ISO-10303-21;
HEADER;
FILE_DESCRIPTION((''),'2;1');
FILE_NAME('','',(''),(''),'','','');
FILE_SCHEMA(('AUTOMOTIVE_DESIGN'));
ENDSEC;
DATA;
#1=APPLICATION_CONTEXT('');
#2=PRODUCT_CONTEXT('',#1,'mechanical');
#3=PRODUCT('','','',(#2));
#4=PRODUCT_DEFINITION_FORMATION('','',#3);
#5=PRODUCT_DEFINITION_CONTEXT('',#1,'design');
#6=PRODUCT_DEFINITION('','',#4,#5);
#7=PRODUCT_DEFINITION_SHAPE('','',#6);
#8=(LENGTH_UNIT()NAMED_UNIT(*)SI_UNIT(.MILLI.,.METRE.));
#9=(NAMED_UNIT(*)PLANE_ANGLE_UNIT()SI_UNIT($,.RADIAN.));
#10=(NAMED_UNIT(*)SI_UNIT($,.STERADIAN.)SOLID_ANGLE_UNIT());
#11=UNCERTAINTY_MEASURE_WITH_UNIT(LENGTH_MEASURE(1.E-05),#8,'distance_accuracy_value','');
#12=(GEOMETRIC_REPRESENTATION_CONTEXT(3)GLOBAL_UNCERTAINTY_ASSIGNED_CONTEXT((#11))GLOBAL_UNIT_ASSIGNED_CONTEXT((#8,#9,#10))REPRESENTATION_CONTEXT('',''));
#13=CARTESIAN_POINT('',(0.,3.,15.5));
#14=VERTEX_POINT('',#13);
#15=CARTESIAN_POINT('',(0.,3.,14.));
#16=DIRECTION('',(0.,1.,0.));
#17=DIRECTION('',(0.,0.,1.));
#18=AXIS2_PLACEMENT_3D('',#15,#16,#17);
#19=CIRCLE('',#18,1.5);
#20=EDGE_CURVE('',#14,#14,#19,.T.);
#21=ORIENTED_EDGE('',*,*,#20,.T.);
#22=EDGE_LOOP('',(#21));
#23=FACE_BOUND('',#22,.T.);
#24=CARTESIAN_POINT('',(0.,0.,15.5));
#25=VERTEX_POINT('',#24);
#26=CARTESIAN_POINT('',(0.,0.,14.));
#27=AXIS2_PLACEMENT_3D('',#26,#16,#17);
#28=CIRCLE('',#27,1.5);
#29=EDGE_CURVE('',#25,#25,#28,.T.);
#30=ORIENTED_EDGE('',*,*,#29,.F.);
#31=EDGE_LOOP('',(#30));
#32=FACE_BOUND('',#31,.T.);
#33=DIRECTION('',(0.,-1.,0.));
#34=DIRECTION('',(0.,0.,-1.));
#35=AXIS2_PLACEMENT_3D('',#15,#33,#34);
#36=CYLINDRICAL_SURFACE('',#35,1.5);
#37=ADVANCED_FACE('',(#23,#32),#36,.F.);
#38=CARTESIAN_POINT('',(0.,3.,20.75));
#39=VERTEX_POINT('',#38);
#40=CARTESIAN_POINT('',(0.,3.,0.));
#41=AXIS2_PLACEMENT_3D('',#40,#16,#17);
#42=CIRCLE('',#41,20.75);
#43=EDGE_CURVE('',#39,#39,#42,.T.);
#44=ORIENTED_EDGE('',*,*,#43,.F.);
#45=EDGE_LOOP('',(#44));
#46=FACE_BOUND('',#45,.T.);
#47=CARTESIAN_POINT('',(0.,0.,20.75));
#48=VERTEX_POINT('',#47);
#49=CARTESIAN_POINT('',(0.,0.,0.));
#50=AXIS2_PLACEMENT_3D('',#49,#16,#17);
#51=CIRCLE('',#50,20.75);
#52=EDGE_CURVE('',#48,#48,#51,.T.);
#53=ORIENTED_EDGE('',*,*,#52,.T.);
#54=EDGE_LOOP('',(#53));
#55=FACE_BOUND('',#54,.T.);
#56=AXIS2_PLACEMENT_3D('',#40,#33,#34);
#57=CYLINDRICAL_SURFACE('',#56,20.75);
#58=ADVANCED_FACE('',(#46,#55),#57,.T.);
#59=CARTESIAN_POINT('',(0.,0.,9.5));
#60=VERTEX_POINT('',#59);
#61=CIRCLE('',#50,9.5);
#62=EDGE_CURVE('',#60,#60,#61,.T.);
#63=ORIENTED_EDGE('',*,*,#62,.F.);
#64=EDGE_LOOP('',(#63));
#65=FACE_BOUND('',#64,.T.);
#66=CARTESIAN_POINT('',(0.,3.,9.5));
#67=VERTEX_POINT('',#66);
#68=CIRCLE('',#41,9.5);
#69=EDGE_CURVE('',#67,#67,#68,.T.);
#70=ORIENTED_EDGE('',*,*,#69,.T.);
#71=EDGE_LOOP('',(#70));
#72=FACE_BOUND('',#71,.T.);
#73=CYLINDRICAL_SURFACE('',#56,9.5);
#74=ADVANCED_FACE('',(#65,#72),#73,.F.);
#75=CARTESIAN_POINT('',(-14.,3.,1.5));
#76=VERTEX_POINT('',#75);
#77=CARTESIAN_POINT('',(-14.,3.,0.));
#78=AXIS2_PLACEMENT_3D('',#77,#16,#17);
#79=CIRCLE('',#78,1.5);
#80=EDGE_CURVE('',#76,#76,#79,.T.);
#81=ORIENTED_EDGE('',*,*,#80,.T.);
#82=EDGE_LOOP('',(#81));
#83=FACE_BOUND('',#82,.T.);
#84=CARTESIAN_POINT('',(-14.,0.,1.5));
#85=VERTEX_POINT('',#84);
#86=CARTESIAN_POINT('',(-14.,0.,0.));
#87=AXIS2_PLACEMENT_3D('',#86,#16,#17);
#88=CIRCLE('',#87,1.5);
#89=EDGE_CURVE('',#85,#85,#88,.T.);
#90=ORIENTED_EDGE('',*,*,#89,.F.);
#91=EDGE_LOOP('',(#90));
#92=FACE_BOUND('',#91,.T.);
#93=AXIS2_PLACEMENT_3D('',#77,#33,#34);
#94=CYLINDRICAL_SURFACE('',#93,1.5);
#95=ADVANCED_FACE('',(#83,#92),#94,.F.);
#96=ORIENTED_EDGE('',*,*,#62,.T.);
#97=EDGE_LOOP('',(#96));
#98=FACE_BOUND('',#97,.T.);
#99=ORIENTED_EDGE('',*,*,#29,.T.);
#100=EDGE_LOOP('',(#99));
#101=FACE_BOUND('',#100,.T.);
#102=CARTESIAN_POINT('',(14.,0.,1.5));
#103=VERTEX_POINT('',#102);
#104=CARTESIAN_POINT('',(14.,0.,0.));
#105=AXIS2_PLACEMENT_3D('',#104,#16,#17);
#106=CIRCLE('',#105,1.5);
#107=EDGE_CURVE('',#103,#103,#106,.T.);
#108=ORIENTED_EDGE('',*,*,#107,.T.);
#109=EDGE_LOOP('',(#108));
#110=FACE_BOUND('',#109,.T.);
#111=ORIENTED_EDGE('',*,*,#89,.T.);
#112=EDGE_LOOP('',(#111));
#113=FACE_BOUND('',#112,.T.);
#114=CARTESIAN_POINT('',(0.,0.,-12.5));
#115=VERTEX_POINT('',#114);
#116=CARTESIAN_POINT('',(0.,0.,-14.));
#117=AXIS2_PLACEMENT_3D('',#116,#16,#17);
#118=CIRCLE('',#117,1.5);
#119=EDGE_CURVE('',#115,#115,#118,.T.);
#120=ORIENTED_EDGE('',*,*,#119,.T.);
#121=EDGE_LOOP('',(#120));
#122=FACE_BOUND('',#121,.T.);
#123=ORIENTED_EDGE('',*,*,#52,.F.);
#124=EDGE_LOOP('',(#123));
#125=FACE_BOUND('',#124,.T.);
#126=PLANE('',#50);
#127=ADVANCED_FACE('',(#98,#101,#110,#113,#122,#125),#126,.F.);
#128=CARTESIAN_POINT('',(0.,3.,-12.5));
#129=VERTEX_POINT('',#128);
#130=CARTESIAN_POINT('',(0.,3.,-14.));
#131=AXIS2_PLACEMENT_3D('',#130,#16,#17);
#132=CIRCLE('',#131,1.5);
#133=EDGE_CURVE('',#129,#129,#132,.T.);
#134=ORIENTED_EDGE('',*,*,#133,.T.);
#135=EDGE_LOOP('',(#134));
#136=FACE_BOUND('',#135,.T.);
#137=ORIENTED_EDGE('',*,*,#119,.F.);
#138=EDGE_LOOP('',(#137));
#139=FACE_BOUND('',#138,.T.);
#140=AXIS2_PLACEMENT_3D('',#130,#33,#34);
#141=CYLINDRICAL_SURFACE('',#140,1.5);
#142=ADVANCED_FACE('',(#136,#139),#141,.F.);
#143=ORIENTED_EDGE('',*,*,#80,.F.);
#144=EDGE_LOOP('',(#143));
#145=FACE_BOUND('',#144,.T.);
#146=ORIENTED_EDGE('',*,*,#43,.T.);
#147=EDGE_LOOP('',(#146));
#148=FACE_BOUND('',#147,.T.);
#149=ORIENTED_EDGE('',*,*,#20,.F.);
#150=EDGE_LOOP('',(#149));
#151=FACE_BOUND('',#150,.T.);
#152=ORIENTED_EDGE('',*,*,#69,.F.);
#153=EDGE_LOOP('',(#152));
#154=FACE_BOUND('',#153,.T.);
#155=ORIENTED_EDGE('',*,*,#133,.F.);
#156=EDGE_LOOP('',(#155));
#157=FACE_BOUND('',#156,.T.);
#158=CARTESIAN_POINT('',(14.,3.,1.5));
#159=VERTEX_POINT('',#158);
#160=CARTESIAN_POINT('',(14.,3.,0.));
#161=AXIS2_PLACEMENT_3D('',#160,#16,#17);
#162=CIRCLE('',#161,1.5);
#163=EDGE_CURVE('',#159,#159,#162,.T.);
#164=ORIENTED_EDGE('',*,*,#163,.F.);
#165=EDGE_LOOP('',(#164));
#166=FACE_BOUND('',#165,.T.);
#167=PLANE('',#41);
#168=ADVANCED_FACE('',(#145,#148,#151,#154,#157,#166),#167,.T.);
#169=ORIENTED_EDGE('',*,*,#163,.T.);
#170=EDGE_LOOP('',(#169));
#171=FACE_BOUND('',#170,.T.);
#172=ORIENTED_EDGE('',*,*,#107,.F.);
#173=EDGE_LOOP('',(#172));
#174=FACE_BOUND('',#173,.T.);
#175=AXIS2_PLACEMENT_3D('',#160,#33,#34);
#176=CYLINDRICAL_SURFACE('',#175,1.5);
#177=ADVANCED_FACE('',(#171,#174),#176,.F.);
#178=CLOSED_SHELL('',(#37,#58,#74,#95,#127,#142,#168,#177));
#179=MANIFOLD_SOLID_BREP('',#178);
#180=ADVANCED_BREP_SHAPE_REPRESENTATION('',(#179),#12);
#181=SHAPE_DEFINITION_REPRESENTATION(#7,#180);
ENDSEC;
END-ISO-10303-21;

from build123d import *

# Parameters (mm, degrees)
SKETCH_1_R      = 20.75
SKETCH_1_R_2    = 1.5
SKETCH_1_R_3    = 9.5
EXTRUDE_2_DEPTH = 3


with BuildPart() as part:
    # 草图1 → 凸台-拉伸2 (new body)
    with BuildSketch(Plane(origin=(0, 0, 0), x_dir=(1, 0, 0), z_dir=(0, 1, 0))):
        with Locations(Location((0, 0, 0), (0, 0, 270))):
            Circle(SKETCH_1_R)
        with Locations(Location((0, 14, 0), (0, 0, 270))):
            Circle(SKETCH_1_R_2, mode=Mode.SUBTRACT)
        with Locations(Location((-14, 0, 0), (0, 0, 270))):
            Circle(SKETCH_1_R_2, mode=Mode.SUBTRACT)
        with Locations(Location((0, -14, 0), (0, 0, 270))):
            Circle(SKETCH_1_R_2, mode=Mode.SUBTRACT)
        with Locations(Location((14, 0, 0), (0, 0, 270))):
            Circle(SKETCH_1_R_2, mode=Mode.SUBTRACT)
        with Locations(Location((0, 0, 0), (0, 0, 270))):
            Circle(SKETCH_1_R_3, mode=Mode.SUBTRACT)
    extrude(amount=EXTRUDE_2_DEPTH)


solid = part.part
